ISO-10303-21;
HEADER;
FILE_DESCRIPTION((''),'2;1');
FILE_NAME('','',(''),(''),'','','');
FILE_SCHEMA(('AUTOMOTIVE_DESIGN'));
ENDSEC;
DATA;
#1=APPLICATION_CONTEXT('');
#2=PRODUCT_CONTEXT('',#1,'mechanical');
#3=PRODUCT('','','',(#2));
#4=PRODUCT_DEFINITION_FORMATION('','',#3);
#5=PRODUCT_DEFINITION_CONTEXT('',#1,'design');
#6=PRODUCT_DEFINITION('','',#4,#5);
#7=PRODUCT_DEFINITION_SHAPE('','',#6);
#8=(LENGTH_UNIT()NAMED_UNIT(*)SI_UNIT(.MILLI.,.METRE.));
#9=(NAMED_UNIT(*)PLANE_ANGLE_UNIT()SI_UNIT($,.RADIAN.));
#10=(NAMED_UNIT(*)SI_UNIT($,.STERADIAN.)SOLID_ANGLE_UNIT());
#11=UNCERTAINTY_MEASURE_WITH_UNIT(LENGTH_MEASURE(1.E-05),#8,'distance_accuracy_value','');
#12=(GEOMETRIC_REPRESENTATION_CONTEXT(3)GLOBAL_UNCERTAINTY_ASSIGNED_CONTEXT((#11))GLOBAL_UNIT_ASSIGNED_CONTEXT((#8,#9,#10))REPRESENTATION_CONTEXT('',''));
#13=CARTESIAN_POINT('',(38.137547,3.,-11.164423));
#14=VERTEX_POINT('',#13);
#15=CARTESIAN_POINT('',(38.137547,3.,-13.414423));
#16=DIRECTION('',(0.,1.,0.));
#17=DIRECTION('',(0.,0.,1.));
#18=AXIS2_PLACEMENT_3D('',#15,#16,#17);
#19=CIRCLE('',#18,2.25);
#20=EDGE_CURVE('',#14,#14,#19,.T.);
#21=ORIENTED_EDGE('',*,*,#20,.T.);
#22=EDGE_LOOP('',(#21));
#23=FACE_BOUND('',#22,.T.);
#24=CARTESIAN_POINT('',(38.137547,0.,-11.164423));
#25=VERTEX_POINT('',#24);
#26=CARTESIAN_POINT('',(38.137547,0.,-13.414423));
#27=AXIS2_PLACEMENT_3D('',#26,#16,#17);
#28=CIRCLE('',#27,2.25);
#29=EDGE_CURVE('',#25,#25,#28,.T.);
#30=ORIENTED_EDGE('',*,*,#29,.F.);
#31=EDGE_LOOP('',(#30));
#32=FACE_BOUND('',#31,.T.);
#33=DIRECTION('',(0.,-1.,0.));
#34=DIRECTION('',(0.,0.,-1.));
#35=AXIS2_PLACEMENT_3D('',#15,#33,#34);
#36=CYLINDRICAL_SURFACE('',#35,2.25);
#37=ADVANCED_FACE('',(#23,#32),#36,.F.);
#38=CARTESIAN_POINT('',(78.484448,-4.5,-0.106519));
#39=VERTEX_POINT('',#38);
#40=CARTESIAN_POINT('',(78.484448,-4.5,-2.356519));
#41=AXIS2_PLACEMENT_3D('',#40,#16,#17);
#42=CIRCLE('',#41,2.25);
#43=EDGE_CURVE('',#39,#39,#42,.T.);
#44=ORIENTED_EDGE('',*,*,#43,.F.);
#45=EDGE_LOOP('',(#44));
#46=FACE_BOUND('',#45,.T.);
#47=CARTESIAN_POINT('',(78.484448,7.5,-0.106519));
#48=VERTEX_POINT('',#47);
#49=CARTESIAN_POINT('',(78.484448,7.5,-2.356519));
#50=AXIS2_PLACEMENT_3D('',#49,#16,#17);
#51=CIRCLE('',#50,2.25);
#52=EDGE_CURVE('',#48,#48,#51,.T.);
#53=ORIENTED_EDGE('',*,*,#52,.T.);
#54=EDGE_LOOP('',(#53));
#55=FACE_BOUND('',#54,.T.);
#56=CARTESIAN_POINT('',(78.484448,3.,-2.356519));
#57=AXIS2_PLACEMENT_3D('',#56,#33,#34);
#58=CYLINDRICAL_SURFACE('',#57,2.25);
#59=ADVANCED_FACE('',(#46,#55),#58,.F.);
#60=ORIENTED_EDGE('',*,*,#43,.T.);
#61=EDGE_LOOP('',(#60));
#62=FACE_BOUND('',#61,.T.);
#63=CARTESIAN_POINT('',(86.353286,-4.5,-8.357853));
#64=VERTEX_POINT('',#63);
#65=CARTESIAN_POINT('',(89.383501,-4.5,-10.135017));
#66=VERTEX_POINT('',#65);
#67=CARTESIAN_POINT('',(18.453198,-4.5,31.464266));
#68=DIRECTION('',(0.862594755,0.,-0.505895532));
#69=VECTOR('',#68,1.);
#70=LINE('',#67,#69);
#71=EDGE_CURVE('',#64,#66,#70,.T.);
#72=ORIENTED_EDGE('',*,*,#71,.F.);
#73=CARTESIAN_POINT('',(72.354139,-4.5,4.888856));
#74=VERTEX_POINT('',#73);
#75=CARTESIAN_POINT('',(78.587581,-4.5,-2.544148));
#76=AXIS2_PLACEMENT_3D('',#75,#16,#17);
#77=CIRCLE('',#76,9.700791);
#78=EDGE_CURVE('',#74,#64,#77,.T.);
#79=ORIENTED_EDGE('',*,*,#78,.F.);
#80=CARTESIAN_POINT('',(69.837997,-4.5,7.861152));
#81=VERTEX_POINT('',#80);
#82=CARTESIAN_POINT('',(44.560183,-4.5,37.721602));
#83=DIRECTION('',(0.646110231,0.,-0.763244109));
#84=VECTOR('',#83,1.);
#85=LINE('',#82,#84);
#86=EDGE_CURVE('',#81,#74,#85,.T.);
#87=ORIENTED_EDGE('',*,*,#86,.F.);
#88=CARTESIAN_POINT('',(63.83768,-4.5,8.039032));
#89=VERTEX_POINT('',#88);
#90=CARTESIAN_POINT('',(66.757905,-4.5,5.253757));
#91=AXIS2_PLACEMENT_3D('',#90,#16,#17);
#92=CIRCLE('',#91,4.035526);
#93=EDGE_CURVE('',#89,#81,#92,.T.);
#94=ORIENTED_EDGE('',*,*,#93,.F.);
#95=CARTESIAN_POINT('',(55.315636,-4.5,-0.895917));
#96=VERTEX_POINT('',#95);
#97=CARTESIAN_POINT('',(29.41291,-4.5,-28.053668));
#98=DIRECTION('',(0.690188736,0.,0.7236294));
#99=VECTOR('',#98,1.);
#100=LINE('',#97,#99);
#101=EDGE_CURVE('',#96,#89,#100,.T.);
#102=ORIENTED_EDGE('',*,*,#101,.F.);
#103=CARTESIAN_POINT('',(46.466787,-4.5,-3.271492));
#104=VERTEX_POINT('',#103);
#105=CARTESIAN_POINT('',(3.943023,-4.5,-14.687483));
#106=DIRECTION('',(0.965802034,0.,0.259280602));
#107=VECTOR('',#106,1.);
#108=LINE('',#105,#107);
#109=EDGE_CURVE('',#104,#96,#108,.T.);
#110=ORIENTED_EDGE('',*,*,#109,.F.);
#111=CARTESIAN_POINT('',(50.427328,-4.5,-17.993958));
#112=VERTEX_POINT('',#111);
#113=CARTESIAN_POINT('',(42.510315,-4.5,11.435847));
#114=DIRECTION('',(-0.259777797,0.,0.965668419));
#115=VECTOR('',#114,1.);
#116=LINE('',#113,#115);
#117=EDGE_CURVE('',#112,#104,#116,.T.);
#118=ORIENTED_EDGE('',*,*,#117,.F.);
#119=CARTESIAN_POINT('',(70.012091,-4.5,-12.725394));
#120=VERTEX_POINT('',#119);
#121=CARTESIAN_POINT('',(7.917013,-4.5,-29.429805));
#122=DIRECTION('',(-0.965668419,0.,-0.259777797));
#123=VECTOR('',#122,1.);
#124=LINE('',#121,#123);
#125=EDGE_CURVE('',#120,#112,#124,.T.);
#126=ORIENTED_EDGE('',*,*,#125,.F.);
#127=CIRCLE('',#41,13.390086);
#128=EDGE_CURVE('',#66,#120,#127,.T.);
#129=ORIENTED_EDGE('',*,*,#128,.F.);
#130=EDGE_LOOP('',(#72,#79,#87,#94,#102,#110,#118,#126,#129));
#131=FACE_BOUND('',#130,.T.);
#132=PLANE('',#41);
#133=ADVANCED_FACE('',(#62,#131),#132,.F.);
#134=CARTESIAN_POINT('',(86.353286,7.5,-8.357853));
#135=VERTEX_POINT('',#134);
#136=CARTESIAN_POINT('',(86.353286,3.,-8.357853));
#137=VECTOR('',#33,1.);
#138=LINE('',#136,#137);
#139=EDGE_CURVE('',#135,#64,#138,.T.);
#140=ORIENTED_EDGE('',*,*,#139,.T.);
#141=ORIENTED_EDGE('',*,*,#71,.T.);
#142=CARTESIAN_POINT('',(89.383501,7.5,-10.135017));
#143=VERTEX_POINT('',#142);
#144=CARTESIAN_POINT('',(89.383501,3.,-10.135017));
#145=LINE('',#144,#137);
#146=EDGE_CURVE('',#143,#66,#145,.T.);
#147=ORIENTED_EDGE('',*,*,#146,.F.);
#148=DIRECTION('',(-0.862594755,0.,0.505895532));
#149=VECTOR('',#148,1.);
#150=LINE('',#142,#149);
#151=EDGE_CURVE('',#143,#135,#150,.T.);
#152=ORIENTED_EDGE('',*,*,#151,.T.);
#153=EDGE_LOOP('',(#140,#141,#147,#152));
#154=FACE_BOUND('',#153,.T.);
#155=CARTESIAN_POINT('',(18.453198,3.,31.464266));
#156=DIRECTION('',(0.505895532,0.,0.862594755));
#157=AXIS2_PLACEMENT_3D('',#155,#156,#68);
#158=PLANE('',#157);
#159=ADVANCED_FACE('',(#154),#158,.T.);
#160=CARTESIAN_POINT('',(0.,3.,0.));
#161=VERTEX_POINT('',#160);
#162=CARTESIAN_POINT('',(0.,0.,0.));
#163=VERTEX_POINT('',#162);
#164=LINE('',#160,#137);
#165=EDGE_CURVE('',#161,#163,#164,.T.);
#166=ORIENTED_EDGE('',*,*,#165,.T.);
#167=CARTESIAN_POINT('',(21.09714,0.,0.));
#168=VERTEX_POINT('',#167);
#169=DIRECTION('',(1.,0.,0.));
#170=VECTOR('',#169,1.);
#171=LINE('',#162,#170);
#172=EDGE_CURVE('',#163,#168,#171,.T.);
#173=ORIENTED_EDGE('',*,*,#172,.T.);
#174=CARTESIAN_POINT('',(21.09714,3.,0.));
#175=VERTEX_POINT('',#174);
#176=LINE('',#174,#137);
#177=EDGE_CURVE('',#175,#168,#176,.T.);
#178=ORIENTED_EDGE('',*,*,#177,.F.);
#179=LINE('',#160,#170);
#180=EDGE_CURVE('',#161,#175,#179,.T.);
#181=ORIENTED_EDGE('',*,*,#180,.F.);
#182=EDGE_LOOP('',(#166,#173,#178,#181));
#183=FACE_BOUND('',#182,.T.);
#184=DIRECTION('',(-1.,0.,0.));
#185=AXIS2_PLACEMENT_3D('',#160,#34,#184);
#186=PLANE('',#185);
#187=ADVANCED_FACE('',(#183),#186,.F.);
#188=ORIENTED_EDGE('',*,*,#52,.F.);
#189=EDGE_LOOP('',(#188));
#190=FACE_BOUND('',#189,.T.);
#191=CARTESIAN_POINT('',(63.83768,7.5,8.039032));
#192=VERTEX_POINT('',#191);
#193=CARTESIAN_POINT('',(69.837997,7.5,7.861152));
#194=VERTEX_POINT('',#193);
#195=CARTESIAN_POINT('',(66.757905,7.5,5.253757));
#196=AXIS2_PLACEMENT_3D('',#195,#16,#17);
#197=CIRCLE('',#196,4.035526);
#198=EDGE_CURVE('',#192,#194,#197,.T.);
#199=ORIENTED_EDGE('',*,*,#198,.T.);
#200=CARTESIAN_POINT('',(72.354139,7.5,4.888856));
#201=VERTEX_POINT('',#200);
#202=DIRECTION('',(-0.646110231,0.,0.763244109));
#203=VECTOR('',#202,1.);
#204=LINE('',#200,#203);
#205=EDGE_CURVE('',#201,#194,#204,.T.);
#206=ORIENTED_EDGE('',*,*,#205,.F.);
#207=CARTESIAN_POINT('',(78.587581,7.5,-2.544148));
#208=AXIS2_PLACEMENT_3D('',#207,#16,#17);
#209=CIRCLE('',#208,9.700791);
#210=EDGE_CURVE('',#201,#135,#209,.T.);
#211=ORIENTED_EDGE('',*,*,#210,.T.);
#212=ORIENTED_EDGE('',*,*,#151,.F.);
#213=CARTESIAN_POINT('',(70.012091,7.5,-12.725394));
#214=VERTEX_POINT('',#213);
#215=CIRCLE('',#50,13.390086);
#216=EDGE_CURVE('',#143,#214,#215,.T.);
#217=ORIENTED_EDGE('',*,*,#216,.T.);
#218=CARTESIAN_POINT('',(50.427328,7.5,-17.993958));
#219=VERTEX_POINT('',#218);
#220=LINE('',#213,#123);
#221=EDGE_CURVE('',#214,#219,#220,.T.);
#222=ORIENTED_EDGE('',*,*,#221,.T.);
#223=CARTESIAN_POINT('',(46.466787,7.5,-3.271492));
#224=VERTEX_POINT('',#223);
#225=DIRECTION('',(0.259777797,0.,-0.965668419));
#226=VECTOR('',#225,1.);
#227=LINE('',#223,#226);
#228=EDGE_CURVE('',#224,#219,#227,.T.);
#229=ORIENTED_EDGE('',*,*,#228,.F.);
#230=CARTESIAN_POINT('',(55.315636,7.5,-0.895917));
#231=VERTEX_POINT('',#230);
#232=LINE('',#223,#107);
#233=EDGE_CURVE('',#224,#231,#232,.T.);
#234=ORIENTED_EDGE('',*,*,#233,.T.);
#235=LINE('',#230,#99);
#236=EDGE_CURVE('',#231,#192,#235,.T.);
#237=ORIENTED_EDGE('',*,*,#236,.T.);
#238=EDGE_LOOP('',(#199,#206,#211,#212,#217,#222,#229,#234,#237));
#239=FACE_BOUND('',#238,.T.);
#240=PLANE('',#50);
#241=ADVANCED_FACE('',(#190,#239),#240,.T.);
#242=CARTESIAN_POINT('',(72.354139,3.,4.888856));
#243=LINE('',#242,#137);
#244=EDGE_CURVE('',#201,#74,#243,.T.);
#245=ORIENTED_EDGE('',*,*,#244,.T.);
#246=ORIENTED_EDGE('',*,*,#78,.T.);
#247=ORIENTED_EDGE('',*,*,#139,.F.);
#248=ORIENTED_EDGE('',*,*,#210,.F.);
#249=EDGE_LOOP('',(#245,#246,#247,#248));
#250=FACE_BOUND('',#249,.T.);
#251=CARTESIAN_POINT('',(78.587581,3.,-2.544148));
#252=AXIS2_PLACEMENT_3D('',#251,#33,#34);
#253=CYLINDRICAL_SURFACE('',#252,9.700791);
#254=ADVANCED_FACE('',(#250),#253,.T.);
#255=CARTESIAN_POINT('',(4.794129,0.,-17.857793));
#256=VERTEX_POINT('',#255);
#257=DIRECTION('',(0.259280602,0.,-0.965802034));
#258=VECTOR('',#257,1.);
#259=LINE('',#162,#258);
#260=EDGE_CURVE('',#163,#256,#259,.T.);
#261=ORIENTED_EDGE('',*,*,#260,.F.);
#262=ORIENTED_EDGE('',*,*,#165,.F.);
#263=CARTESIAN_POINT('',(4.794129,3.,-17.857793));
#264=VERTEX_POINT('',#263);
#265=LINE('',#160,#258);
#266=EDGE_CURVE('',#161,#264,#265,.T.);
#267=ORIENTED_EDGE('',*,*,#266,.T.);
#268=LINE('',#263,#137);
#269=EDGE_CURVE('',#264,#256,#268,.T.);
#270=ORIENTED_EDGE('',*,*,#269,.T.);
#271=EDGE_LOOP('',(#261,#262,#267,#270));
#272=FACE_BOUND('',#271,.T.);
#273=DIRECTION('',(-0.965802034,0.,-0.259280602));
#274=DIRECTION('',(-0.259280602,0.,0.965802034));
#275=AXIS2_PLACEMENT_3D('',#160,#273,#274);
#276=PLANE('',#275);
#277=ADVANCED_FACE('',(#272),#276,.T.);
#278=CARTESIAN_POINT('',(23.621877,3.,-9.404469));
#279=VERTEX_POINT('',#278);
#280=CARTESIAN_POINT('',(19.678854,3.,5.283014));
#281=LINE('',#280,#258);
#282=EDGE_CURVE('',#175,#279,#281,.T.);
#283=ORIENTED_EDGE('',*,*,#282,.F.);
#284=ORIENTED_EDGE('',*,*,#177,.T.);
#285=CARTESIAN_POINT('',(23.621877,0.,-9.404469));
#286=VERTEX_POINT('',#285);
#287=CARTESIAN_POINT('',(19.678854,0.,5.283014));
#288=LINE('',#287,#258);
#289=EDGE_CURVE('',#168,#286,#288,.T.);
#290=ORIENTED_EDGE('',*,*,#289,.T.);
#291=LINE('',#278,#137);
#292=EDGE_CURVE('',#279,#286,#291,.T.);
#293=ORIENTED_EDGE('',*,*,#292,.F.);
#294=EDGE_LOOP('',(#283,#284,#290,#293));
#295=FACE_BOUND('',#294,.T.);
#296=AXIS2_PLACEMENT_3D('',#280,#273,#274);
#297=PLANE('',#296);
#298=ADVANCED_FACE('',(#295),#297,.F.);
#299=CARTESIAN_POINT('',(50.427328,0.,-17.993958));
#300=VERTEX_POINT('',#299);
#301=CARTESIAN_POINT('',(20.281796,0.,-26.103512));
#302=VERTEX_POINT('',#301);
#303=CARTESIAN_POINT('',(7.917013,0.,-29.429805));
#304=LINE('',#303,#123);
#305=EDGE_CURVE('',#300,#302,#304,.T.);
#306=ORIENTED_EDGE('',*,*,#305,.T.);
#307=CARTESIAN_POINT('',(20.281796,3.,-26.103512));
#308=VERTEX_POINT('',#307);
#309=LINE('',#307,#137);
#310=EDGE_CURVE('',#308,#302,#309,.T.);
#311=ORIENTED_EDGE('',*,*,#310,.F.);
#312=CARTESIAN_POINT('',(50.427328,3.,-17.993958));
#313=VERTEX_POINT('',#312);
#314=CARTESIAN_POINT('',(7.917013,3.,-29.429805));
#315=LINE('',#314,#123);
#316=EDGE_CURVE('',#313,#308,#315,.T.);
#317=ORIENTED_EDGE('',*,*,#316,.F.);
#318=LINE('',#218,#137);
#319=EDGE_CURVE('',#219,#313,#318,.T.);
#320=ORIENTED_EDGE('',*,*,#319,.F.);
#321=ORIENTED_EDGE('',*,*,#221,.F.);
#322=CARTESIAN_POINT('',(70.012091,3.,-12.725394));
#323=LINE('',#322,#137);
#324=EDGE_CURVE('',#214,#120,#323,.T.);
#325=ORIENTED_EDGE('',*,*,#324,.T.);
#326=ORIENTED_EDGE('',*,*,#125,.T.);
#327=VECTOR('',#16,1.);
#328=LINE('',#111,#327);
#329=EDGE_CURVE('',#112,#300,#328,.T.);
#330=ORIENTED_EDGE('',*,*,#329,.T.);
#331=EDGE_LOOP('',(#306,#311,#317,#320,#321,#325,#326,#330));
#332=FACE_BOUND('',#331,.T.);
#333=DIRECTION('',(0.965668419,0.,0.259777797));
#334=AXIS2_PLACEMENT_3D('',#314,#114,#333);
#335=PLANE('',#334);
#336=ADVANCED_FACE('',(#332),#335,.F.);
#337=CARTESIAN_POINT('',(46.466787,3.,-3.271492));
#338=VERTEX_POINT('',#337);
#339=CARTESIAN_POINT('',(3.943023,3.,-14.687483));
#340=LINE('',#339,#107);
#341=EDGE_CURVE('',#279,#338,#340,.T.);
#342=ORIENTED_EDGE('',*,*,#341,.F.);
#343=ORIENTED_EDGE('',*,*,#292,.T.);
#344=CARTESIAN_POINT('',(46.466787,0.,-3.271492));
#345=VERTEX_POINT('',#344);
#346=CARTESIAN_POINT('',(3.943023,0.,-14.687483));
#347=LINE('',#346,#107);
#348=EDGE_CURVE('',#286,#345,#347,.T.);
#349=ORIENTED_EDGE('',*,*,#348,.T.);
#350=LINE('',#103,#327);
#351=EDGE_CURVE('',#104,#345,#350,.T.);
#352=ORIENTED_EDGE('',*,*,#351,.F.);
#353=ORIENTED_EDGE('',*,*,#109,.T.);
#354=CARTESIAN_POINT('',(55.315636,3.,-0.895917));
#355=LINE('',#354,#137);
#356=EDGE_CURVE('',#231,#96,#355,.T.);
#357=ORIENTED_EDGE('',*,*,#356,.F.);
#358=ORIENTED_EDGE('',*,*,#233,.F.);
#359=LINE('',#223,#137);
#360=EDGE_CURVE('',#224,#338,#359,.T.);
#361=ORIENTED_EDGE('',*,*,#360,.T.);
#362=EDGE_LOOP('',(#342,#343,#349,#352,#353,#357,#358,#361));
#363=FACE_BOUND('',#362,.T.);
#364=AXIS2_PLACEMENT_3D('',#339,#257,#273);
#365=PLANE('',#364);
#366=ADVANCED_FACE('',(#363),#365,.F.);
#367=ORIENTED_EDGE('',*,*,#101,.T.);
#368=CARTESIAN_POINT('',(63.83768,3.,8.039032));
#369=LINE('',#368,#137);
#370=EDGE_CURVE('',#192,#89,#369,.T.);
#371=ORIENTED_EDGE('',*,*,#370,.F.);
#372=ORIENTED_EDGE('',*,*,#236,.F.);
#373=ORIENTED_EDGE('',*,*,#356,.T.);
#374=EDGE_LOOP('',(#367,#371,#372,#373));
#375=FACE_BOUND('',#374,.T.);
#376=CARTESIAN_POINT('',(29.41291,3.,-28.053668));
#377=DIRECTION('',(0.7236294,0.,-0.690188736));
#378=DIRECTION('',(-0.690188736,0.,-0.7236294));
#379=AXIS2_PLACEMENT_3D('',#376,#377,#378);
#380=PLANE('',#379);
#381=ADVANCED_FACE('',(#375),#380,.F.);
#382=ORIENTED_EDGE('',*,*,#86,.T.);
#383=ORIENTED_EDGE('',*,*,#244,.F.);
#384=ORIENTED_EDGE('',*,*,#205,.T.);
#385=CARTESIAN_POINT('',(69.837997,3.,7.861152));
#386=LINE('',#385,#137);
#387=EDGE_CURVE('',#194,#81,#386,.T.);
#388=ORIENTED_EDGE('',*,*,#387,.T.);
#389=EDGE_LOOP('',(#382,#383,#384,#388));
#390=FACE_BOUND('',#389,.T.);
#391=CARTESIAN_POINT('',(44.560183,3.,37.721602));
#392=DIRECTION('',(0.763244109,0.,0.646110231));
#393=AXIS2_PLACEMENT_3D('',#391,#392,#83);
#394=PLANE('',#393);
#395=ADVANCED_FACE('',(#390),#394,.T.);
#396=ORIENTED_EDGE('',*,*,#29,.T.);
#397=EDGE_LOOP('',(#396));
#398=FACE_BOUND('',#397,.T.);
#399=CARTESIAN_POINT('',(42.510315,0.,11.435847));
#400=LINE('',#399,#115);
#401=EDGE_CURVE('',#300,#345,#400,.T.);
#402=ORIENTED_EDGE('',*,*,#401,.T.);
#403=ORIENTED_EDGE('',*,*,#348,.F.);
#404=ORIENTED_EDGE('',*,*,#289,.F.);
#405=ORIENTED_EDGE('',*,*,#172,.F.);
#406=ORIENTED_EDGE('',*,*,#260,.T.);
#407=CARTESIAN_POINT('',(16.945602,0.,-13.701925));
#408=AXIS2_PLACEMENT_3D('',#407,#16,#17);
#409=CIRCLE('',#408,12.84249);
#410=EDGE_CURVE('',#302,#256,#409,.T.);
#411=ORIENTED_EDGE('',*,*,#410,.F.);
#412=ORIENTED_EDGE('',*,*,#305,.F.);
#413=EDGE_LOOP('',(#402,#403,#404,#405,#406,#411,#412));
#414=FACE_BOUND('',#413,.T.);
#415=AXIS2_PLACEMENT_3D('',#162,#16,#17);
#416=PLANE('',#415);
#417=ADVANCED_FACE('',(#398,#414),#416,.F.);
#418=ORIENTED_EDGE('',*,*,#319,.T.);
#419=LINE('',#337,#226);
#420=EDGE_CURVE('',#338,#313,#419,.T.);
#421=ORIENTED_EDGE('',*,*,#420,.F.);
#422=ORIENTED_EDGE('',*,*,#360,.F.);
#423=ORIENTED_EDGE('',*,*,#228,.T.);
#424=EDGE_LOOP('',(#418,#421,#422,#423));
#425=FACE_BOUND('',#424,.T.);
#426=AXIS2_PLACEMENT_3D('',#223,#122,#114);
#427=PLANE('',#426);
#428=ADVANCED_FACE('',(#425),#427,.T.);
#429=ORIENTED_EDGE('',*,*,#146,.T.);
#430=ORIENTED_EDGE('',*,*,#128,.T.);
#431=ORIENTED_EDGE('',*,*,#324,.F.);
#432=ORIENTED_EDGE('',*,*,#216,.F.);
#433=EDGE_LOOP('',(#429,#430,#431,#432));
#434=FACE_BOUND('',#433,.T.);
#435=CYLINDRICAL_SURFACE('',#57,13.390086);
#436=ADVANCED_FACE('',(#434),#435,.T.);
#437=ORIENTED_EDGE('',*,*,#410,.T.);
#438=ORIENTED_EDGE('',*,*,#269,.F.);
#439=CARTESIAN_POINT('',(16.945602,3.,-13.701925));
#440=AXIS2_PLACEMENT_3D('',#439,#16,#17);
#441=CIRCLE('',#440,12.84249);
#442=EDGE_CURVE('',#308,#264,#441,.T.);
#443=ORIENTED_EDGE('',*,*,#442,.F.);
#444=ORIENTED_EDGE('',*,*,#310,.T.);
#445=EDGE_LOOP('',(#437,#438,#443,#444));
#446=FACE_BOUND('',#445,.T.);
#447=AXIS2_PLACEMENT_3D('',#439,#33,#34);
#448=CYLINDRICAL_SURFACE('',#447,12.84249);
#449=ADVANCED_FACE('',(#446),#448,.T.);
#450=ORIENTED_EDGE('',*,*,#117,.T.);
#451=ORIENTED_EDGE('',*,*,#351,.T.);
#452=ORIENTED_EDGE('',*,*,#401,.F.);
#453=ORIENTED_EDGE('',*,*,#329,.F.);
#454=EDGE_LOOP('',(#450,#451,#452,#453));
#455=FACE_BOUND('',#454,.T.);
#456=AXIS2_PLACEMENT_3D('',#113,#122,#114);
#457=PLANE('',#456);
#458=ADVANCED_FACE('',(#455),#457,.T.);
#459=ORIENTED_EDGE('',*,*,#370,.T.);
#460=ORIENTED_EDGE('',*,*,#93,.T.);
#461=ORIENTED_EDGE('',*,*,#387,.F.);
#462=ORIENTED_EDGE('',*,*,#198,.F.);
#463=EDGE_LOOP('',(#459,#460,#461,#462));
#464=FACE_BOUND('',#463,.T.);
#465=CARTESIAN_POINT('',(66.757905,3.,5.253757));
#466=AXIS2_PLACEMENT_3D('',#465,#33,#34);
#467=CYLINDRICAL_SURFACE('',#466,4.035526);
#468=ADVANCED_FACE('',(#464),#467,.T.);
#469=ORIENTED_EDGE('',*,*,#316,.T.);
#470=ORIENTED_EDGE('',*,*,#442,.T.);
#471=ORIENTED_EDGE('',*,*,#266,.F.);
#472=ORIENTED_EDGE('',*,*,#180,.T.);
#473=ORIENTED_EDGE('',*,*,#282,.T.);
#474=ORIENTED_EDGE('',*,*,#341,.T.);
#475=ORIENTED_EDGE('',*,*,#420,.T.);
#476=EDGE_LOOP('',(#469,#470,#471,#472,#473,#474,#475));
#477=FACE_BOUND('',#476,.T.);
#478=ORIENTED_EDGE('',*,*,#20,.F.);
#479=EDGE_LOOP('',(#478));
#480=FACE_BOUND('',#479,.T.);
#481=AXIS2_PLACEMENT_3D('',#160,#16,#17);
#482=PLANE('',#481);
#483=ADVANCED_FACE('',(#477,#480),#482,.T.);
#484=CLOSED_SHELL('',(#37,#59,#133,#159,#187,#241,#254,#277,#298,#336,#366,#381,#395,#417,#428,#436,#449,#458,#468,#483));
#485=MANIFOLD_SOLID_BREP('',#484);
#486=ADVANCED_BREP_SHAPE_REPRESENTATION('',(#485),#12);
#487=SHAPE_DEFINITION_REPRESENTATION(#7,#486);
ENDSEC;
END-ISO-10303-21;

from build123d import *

# Parameters (mm, degrees)
SKETCH1_R           = 2.25
BOSS_EXTRUDE1_DEPTH = 3
SKETCH6_R           = 2.25
BOSS_EXTRUDE3_DEPTH = 4.5
BOSS_EXTRUDE4_START = -3
SKETCH6_4_R         = 2.25
BOSS_EXTRUDE4_DEPTH = 4.5


with BuildPart() as part:
    # Sketch1 → Boss-Extrude1 (new body)
    with BuildSketch(Plane(origin=(0, 0, 0), x_dir=(1, 0, 0), z_dir=(0, 1, 0))):
        with BuildLine():
            Line((4.346556407, 16.19061741), (0, 0))
            Line((0, 0), (21.097139824, 0))
            Line((21.097139824, 0), (23.621877097, 9.40446906))
            Line((23.621877097, 9.40446906), (55.315636071, 0.895916999))
            Line((55.315636071, 0.895916999), (63.837679632, -8.03903216))
            ThreePointArc((63.837679632, -8.03903216), (66.877486097, -9.287511543), (69.837996716, -7.861152194))
            Line((69.837996716, -7.861152194), (72.354139199, -4.888856081))
            ThreePointArc((72.354139199, -4.888856081), (85.255098096, -4.502096268), (86.353286495, 8.357853416))
            Line((86.353286495, 8.357853416), (89.383500932, 10.135016952))
            ThreePointArc((89.383500932, 10.135016952), (80.259194518, 15.628469331), (70.012090644, 12.72539359))
            Line((70.012090644, 12.72539359), (20.281795984, 26.10351195))
            ThreePointArc((20.281795984, 26.10351195), (10.910267874, 25.037898105), (4.794128684, 17.857792715))
            Line((4.794128684, 17.857792715), (4.346556407, 16.19061741))
        make_face()
        with Locations((78.484447615, 2.356518872)):
            Circle(SKETCH1_R, mode=Mode.SUBTRACT)
        with Locations((38.137547341, 13.414423288)):
            Circle(SKETCH1_R, mode=Mode.SUBTRACT)
    extrude(amount=BOSS_EXTRUDE1_DEPTH)

    # Sketch6 → Boss-Extrude3 (add)
    with BuildSketch(Plane(origin=(0, 3, 0), x_dir=(1, 0, 0), z_dir=(0, 1, 0))):
        with BuildLine():
            Line((46.466786902, 3.271491758), (55.315636071, 0.895916999))
            Line((55.315636071, 0.895916999), (63.837679632, -8.03903216))
            ThreePointArc((63.837679632, -8.03903216), (66.877486097, -9.287511543), (69.837996716, -7.861152194))
            Line((69.837996716, -7.861152194), (72.354139199, -4.888856081))
            ThreePointArc((72.354139199, -4.888856081), (85.255098096, -4.502096268), (86.353286495, 8.357853416))
            Line((86.353286495, 8.357853416), (89.383500932, 10.135016952))
            ThreePointArc((89.383500932, 10.135016952), (80.259194518, 15.628469331), (70.012090644, 12.72539359))
            Line((70.012090644, 12.72539359), (50.427328439, 17.993958126))
            Line((50.427328439, 17.993958126), (46.466786902, 3.271491758))
        make_face()
        with Locations((78.484447615, 2.356518872)):
            Circle(SKETCH6_R, mode=Mode.SUBTRACT)
    extrude(amount=BOSS_EXTRUDE3_DEPTH)

    # Sketch6<4> → Boss-Extrude4 (add)
    with BuildSketch(Plane(origin=(0, 3, 0), x_dir=(1, 0, 0), z_dir=(0, 1, 0)).offset(BOSS_EXTRUDE4_START)):
        with BuildLine():
            Line((46.466786902, 3.271491758), (55.315636071, 0.895916999))
            Line((55.315636071, 0.895916999), (63.837679632, -8.03903216))
            ThreePointArc((63.837679632, -8.03903216), (66.877486097, -9.287511543), (69.837996716, -7.861152194))
            Line((69.837996716, -7.861152194), (72.354139199, -4.888856081))
            ThreePointArc((72.354139199, -4.888856081), (85.255098096, -4.502096268), (86.353286495, 8.357853416))
            Line((86.353286495, 8.357853416), (89.383500932, 10.135016952))
            ThreePointArc((89.383500932, 10.135016952), (80.259194518, 15.628469331), (70.012090644, 12.72539359))
            Line((70.012090644, 12.72539359), (50.427328439, 17.993958126))
            Line((50.427328439, 17.993958126), (46.466786902, 3.271491758))
        make_face()
        with Locations((78.484447615, 2.356518872)):
            Circle(SKETCH6_4_R, mode=Mode.SUBTRACT)
    extrude(amount=-BOSS_EXTRUDE4_DEPTH)


solid = part.part
